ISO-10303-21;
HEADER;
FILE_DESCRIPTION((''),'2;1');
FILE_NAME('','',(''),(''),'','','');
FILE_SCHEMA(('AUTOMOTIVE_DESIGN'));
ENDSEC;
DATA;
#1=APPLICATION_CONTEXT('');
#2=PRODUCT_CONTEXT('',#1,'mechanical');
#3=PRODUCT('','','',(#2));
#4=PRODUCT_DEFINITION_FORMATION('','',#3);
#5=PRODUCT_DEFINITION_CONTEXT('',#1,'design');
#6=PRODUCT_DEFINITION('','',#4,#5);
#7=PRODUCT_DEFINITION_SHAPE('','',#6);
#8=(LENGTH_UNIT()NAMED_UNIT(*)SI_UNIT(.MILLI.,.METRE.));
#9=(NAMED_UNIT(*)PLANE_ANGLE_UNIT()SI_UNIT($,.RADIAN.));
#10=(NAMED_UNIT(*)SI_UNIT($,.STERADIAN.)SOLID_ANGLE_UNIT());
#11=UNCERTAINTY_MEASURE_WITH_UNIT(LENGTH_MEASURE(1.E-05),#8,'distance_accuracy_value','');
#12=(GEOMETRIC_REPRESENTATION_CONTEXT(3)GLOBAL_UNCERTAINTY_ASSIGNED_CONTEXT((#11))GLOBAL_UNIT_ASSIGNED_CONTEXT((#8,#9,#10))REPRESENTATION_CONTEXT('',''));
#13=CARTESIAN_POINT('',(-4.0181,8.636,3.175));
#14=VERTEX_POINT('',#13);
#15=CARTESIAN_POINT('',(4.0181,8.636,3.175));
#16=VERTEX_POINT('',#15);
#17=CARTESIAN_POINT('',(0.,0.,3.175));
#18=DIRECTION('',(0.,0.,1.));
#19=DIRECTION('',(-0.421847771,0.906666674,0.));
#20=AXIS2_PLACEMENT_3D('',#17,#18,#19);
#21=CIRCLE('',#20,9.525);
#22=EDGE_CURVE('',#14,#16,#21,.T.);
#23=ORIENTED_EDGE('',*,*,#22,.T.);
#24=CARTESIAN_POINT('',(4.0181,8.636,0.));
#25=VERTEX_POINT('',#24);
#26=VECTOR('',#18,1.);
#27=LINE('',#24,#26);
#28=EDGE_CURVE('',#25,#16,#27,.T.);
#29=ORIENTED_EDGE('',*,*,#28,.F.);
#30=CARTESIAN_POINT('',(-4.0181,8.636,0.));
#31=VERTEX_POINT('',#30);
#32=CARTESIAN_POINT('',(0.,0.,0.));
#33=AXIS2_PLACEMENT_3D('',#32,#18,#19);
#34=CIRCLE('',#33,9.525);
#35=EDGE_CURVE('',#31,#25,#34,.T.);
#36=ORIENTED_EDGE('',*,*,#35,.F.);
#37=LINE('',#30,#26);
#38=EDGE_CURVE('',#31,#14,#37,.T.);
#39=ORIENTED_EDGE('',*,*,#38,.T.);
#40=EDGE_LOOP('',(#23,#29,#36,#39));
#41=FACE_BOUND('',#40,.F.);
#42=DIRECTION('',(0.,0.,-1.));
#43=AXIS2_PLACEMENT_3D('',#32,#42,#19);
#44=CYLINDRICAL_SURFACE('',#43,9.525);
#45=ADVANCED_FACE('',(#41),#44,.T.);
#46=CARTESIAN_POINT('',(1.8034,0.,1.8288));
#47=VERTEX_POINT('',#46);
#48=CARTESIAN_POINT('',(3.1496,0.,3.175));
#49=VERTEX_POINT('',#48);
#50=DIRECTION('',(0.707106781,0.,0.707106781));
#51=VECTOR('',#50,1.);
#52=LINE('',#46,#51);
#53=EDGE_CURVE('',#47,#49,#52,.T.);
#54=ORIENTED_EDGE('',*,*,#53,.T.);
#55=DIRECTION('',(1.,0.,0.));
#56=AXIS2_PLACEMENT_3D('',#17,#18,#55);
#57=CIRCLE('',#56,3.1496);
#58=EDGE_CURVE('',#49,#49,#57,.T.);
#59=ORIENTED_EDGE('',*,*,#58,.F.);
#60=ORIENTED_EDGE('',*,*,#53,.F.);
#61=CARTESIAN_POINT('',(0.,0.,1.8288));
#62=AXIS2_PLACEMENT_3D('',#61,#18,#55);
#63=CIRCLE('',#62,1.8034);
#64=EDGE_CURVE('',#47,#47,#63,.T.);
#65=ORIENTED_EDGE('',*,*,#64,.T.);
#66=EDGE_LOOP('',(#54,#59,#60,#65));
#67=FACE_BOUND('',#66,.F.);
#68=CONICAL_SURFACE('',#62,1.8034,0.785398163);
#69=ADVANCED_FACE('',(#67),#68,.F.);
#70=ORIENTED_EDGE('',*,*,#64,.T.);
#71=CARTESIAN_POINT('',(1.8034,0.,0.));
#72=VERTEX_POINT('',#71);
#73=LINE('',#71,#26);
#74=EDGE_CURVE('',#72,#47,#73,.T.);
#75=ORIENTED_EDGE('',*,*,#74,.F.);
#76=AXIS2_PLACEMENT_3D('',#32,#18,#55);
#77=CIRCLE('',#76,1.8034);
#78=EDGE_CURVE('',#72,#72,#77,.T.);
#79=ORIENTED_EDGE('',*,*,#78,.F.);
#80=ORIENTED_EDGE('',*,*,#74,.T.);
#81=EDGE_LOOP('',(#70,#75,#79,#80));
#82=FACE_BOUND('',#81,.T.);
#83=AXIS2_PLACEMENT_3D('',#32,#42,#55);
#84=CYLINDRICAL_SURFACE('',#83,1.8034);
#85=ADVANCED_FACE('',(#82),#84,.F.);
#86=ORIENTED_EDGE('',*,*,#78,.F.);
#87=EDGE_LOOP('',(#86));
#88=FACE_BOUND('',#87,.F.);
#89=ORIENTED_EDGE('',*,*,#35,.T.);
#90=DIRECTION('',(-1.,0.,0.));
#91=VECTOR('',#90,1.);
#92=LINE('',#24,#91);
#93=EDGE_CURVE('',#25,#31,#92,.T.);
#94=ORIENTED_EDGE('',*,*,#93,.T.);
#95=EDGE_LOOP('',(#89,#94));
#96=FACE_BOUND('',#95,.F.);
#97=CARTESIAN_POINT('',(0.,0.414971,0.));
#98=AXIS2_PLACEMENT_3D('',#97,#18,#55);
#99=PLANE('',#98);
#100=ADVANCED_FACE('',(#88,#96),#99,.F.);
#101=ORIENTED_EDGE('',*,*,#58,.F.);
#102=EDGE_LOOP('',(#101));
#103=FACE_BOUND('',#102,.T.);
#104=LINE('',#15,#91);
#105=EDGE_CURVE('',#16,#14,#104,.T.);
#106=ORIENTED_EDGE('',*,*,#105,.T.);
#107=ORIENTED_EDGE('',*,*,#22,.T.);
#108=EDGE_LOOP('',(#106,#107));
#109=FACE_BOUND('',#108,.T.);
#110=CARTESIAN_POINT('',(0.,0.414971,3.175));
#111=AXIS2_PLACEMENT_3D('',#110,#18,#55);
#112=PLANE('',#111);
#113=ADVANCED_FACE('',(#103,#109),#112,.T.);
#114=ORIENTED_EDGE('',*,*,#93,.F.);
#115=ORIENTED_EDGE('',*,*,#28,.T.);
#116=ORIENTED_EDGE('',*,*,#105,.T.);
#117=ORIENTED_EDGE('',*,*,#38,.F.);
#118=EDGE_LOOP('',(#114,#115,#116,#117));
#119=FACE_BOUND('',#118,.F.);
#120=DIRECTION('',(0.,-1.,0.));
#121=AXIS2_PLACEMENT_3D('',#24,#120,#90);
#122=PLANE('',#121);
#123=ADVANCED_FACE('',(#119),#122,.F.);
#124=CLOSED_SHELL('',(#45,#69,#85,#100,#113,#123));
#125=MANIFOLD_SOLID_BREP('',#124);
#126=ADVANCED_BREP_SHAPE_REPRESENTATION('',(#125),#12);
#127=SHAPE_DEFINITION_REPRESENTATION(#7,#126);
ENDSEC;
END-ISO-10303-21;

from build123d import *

# Parameters (mm, degrees)
F0_R     = 3.1496
F0_R_2   = 1.8034
F1_DEPTH = 3.175
F2_SIZE2 = 1.3462
F2_SIZE  = 1.3462


with BuildPart() as f1:
    # F0 (on Top) → F1 (new body)
    with BuildSketch(Plane.XY):
        with BuildLine():
            Line((4.0181, 8.636), (-4.0181, 8.636))
            ThreePointArc((-4.0181, 8.636), (0, -9.525), (4.0181, 8.636))
        make_face()
        Circle(F0_R, mode=Mode.SUBTRACT)
        Circle(F0_R)
        Circle(F0_R_2, mode=Mode.SUBTRACT)
    extrude(amount=F1_DEPTH)

    # F2
    f2_edges = [f1.edges().sort_by_distance(p)[0] for p in [
        (-1.8034, 0, 3.175),
    ]]
    chamfer(f2_edges, length=F2_SIZE, length2=F2_SIZE2)


solid = f1.part
